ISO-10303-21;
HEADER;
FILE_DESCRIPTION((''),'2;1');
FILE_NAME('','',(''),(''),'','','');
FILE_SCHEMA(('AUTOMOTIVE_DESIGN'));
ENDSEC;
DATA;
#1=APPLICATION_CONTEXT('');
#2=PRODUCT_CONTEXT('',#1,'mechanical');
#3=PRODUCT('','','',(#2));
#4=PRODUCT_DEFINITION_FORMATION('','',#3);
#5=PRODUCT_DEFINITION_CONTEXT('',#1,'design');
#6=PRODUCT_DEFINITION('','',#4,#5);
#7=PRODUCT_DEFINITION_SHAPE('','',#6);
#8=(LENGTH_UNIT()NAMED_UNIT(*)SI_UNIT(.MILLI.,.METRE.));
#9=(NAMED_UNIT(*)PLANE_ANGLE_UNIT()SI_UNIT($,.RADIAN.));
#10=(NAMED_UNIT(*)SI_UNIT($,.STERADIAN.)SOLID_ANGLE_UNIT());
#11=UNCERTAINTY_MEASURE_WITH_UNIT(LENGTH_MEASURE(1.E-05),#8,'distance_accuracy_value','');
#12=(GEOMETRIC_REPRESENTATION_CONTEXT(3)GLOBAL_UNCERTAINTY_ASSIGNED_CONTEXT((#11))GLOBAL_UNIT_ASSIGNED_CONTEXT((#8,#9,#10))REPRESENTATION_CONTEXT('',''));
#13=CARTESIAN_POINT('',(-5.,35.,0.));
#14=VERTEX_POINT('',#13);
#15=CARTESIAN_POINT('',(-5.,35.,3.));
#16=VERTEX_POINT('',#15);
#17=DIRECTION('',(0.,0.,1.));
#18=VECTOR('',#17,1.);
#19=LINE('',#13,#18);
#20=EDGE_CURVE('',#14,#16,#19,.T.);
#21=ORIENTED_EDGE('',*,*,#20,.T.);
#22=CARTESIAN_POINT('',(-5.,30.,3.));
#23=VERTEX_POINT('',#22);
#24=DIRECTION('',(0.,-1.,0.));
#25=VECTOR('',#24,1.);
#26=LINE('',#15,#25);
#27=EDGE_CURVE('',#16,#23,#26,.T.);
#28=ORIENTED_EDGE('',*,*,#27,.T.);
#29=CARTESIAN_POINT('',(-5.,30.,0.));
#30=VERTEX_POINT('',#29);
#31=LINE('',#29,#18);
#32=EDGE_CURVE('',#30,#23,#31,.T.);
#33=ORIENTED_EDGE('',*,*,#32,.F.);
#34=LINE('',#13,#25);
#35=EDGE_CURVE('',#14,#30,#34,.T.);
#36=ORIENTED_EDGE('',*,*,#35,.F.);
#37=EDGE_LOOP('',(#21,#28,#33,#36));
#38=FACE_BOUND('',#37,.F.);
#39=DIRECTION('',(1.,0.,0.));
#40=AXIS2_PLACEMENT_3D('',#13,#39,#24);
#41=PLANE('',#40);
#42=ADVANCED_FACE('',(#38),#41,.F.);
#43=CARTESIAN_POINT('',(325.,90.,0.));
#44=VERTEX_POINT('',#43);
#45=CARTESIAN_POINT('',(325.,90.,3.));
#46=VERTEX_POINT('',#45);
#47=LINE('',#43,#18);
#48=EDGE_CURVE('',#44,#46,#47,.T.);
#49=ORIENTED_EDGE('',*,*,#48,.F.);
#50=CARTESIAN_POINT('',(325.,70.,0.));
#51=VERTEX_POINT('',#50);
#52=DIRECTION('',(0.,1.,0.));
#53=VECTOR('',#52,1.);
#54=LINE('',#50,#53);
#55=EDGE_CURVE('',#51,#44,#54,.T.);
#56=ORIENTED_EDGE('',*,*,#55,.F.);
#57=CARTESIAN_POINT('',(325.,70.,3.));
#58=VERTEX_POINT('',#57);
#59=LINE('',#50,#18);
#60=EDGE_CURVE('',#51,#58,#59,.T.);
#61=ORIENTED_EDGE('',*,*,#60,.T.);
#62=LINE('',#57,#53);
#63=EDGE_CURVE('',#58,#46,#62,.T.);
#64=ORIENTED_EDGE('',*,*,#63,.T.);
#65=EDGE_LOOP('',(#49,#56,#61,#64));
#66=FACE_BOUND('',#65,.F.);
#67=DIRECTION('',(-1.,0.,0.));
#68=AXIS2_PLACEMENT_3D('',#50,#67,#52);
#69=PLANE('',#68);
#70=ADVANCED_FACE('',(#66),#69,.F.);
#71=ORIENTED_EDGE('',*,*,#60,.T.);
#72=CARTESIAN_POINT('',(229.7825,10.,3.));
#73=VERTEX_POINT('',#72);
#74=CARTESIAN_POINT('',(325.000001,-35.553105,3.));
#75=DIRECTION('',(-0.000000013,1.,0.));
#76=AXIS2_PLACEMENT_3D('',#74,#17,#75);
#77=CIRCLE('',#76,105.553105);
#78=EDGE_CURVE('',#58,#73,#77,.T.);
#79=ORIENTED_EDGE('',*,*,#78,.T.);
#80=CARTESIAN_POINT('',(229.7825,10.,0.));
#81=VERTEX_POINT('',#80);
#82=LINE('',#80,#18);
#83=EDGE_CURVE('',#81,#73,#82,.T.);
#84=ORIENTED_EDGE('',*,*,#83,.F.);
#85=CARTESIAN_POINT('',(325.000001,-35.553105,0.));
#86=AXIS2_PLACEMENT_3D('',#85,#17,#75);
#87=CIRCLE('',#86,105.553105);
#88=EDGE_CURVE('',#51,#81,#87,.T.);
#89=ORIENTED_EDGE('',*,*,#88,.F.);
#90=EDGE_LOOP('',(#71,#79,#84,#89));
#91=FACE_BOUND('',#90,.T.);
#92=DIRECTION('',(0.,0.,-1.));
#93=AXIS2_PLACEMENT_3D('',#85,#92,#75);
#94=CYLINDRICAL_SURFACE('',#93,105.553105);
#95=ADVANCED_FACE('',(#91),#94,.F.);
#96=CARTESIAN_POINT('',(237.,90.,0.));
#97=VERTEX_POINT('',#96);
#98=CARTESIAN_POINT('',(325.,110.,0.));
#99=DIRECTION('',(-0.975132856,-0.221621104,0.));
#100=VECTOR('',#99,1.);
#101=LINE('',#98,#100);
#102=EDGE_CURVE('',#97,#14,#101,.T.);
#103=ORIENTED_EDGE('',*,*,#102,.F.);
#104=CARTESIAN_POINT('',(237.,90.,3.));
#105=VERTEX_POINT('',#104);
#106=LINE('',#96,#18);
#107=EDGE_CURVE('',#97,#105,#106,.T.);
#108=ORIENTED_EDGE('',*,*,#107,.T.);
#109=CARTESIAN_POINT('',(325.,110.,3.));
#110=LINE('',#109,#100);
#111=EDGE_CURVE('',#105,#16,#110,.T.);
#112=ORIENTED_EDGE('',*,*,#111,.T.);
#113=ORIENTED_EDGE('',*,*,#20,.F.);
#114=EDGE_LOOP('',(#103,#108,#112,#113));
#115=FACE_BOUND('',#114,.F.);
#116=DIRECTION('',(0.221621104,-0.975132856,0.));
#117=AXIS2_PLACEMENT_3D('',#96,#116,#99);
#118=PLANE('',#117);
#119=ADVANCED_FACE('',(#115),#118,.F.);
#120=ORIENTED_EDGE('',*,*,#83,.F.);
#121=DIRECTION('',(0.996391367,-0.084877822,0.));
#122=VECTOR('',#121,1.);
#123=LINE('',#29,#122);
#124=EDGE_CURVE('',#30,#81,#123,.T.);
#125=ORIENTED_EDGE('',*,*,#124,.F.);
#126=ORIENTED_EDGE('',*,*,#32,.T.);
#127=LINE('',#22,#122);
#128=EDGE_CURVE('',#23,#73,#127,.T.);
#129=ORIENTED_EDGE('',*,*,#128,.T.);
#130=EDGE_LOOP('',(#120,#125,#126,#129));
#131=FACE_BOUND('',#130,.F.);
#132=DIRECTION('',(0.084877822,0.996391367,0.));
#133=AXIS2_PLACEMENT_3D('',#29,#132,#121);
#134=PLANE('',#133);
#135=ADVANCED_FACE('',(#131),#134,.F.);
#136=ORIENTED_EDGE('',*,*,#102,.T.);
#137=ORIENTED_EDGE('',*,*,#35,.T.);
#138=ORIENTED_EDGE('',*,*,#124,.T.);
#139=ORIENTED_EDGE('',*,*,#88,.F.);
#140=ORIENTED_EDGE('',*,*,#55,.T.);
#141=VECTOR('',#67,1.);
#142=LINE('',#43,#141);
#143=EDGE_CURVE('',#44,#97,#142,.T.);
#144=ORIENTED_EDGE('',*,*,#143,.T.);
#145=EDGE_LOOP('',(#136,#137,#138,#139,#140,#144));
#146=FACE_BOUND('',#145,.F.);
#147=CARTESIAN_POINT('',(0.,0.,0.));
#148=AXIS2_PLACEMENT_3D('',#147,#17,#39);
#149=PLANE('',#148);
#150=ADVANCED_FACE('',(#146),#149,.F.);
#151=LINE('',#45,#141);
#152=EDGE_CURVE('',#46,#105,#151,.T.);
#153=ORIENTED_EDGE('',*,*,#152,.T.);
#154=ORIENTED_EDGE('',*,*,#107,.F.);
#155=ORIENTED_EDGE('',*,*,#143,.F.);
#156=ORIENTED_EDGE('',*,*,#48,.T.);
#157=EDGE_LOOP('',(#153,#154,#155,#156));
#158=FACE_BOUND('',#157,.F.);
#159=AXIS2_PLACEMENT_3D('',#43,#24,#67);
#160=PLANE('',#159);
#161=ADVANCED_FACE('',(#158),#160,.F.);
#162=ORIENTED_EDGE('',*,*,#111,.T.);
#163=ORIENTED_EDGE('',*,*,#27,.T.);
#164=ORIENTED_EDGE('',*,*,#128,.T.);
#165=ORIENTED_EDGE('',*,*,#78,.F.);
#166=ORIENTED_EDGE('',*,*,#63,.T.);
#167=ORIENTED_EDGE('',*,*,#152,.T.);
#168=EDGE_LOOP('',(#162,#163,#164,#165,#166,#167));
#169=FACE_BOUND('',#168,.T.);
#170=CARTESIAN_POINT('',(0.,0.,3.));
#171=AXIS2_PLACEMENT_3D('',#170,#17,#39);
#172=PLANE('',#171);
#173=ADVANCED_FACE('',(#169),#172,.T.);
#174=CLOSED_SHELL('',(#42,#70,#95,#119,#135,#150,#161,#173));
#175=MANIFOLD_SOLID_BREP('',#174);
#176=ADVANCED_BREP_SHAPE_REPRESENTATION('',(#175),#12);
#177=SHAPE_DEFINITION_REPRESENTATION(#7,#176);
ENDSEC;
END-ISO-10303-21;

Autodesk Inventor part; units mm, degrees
ref_plane "YZ Plane" through (0, 0, 0) normal (1, 0, 0) x (0, 1, 0)
ref_plane "XZ Plane" through (0, 0, 0) normal (0, 1, 0) x (-1, 0, 0)
ref_plane "XY Plane" through (0, 0, 0) normal (0, 0, 1) x (1, 0, 0)
sketch "Skizze1" plane through (0, 0, 0) normal (0, 0, 1) x (1, 0, 0)
  line L0 (-71, 0) -> (391, 0) projected
  line L1 (-5, 35) -> (-5, 30)
  line L2 (-5, 30) -> (229.7825, 10)
  line L3 (325, 70) -> (325, 110)
  line L4 (325, 110) -> (-5, 35)
  arc A0 (325, 70) -> (229.7825, 10) centre (325, -35.5531) ccw
  line L5 (325, 90) -> (237, 90)
  point P0 (0, 0)
  dimension "d3" = 5
  dimension "d5" = 330
  dimension "d6" = 40
  dimension "d7" = 5
  dimension "d8" = 30
  dimension "d9" = 230
  dimension "d13" = 10
  dimension "d14" = 70
extrude "Extrusion1" add sketch "Skizze1" along normal blind 3 contours L4 L5 L3 A0 L2 L1
equation "\"G_L\" = 0"
equation "\"G_H\" = 0"
equation "\"G_B\" = 0"
properties part number "Center_fin" material "GEDA Polyamid"
